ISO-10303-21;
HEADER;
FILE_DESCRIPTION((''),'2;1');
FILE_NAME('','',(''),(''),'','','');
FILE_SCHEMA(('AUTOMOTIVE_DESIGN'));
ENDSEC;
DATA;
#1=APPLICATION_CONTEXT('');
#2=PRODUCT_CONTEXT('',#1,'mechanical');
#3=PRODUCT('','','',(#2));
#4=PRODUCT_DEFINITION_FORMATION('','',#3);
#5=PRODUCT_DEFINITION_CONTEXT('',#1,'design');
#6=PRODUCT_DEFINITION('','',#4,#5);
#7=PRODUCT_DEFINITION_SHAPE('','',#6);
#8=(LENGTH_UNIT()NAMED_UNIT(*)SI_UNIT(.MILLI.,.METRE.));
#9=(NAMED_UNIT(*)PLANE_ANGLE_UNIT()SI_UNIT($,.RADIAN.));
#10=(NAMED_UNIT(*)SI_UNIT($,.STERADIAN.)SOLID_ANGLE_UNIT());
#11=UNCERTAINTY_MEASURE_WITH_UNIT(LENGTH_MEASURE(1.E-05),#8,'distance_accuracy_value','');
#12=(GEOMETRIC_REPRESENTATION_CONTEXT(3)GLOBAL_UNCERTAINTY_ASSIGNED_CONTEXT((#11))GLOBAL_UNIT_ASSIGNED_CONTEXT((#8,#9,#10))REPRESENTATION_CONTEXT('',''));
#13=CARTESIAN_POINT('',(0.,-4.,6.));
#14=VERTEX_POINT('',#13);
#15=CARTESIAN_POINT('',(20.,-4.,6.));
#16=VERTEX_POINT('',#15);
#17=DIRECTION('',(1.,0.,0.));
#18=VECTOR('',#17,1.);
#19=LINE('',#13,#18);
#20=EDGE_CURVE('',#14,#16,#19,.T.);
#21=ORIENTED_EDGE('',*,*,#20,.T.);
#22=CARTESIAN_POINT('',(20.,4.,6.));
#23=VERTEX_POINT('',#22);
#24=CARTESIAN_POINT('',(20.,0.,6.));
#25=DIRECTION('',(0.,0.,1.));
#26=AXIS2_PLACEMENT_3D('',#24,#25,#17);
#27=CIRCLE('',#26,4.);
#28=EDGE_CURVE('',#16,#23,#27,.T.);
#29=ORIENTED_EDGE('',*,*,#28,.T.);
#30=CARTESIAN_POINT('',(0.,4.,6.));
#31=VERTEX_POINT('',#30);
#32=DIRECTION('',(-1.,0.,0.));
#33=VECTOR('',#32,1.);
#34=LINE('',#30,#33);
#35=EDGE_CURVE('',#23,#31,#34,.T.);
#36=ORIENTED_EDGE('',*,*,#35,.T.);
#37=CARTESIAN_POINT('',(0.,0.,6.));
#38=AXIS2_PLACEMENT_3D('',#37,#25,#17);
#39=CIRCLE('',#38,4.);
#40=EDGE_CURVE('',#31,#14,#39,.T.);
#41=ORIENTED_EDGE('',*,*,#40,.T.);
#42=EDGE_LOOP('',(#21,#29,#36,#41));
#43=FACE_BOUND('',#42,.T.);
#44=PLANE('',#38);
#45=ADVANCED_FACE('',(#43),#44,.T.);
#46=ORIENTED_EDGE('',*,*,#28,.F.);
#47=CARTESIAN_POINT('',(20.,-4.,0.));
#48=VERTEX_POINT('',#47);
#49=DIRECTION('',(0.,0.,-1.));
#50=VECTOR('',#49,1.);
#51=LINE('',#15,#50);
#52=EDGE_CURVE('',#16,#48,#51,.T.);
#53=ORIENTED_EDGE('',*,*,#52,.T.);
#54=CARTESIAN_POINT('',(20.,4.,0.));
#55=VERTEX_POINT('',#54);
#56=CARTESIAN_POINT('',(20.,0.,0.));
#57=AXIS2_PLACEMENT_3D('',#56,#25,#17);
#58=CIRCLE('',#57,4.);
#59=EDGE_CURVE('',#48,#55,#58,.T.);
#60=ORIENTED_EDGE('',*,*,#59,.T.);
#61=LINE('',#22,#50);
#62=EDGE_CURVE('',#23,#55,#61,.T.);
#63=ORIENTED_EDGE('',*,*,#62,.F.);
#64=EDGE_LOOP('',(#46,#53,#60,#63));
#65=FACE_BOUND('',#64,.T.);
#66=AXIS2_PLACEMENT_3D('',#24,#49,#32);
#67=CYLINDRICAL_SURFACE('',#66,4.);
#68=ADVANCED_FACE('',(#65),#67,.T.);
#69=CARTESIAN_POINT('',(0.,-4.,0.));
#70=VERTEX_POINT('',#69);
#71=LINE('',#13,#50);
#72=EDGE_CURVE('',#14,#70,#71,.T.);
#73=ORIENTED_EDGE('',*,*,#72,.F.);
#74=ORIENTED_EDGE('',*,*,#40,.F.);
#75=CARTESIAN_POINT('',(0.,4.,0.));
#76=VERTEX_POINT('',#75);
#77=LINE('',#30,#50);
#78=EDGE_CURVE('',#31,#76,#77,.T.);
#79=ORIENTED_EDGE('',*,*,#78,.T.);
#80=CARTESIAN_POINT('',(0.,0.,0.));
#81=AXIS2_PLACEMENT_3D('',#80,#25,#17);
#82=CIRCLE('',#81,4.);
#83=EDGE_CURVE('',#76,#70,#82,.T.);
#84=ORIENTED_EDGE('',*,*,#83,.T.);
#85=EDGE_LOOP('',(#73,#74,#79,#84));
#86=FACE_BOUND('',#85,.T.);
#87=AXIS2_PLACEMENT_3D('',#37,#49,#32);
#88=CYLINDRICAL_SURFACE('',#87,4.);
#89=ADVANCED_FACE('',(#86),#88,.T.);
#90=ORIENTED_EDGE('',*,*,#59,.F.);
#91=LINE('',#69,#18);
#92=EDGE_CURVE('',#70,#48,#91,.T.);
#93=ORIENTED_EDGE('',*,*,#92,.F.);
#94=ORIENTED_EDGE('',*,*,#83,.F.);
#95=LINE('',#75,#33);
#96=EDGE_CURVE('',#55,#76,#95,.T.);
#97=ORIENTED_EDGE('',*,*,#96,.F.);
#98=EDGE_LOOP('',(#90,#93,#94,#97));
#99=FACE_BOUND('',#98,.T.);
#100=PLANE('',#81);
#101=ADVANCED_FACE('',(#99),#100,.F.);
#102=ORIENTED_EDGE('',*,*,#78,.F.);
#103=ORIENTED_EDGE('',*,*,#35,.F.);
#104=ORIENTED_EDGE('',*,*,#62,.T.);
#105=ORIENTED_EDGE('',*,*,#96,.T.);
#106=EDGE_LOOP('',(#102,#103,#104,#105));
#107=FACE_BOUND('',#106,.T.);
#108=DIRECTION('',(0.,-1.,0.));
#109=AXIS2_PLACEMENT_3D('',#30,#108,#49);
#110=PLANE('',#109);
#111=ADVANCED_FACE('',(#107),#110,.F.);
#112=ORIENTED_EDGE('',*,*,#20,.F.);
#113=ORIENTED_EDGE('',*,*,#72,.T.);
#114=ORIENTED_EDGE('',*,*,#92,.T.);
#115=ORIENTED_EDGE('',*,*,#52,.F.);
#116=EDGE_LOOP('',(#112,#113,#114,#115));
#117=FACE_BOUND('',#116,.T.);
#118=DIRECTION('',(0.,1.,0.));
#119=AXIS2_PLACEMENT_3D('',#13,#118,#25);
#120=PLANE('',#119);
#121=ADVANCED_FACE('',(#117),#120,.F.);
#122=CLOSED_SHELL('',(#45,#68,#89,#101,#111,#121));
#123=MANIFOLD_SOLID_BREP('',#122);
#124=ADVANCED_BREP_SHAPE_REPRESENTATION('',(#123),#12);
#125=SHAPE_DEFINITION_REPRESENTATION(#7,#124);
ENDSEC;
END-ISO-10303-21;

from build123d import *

# Parameters (mm, degrees)
BOSS_EXTRUDE1_DEPTH = 6


with BuildPart() as part:
    # Sketch1 → Boss-Extrude1 (new body)
    with BuildSketch(Plane.XY):
        with BuildLine():
            Line((0, 4), (20, 4))
            ThreePointArc((20, 4), (24, 0), (20, -4))
            Line((20, -4), (0, -4))
            ThreePointArc((0, -4), (-4, 0), (0, 4))
        make_face()
    extrude(amount=BOSS_EXTRUDE1_DEPTH)


solid = part.part
